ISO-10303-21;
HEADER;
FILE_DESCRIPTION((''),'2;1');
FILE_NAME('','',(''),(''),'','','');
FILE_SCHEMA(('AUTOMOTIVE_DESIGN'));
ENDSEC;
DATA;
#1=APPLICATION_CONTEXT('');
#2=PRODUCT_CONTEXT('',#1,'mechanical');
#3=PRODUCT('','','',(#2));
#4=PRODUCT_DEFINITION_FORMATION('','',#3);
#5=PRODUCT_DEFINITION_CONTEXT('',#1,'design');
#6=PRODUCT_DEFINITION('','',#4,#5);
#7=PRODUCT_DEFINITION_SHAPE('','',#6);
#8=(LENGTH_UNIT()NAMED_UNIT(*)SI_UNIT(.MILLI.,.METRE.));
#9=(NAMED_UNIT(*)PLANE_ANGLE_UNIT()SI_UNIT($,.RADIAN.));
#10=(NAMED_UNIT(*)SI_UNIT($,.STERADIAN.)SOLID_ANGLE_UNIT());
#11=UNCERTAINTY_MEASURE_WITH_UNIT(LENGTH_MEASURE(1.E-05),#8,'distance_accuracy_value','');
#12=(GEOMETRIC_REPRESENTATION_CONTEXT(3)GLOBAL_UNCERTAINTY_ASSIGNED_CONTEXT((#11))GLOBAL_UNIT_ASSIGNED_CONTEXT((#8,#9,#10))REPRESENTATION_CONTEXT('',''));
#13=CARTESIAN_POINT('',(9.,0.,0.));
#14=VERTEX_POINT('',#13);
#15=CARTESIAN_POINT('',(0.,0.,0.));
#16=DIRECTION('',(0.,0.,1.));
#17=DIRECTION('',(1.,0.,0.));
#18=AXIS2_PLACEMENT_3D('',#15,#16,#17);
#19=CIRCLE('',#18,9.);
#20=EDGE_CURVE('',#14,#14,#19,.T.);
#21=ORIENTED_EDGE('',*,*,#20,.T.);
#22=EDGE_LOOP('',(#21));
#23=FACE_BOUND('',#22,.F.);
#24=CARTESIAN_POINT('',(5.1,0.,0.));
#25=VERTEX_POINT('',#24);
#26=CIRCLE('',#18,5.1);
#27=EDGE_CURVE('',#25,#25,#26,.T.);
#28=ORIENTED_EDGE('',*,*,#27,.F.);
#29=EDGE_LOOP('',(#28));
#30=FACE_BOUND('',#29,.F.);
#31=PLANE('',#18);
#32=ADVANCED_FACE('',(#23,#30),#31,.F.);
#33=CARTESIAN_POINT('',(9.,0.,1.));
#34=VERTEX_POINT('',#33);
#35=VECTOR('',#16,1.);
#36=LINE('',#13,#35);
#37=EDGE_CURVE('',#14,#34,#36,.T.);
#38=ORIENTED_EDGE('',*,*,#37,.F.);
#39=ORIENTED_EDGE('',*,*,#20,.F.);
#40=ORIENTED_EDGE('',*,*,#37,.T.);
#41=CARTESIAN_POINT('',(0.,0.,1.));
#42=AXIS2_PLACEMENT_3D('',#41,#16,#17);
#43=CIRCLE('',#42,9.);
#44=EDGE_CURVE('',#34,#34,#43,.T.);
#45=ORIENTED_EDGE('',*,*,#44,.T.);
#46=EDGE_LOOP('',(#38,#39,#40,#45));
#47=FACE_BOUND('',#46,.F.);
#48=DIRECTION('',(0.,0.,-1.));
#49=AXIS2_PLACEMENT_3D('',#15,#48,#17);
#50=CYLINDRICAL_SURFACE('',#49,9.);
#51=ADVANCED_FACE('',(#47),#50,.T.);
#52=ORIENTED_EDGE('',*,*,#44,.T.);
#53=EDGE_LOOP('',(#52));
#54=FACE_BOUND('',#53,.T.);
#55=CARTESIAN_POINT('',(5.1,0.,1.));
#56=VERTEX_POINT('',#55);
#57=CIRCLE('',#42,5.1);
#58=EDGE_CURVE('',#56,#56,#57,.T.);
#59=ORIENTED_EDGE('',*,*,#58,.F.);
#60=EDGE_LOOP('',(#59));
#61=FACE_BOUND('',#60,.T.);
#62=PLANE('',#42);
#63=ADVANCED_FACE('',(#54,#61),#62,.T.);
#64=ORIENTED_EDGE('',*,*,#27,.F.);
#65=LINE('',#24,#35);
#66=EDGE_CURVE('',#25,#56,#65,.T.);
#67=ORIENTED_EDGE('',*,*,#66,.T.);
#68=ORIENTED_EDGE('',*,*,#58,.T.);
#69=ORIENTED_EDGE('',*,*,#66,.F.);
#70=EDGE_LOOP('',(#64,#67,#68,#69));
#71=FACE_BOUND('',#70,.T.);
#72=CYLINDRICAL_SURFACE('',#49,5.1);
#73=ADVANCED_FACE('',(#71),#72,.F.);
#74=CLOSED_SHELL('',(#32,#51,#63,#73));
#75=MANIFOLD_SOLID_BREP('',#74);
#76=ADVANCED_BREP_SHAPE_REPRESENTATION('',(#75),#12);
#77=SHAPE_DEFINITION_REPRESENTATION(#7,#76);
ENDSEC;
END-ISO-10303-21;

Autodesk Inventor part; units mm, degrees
ref_plane "YZ Plane" through (0, 0, 0) normal (1, 0, 0) x (0, 1, 0)
ref_plane "XZ Plane" through (0, 0, 0) normal (0, 1, 0) x (-1, 0, 0)
ref_plane "XY Plane" through (0, 0, 0) normal (0, 0, 1) x (1, 0, 0)
sketch "スケッチ1" plane through (0, 0, 0) normal (0, 0, 1) x (1, 0, 0)
  circle A0 centre (0, 0) radius 5.1
  circle A1 centre (0, 0) radius 9
  dimension "d0" = 10.2
  dimension "d1" = 18
extrude "押し出し1" add sketch "スケッチ1" along normal blind 1
properties part number "アルミワッシャー　t1　18-10.2" material "アルミニウム 2014-T4"
